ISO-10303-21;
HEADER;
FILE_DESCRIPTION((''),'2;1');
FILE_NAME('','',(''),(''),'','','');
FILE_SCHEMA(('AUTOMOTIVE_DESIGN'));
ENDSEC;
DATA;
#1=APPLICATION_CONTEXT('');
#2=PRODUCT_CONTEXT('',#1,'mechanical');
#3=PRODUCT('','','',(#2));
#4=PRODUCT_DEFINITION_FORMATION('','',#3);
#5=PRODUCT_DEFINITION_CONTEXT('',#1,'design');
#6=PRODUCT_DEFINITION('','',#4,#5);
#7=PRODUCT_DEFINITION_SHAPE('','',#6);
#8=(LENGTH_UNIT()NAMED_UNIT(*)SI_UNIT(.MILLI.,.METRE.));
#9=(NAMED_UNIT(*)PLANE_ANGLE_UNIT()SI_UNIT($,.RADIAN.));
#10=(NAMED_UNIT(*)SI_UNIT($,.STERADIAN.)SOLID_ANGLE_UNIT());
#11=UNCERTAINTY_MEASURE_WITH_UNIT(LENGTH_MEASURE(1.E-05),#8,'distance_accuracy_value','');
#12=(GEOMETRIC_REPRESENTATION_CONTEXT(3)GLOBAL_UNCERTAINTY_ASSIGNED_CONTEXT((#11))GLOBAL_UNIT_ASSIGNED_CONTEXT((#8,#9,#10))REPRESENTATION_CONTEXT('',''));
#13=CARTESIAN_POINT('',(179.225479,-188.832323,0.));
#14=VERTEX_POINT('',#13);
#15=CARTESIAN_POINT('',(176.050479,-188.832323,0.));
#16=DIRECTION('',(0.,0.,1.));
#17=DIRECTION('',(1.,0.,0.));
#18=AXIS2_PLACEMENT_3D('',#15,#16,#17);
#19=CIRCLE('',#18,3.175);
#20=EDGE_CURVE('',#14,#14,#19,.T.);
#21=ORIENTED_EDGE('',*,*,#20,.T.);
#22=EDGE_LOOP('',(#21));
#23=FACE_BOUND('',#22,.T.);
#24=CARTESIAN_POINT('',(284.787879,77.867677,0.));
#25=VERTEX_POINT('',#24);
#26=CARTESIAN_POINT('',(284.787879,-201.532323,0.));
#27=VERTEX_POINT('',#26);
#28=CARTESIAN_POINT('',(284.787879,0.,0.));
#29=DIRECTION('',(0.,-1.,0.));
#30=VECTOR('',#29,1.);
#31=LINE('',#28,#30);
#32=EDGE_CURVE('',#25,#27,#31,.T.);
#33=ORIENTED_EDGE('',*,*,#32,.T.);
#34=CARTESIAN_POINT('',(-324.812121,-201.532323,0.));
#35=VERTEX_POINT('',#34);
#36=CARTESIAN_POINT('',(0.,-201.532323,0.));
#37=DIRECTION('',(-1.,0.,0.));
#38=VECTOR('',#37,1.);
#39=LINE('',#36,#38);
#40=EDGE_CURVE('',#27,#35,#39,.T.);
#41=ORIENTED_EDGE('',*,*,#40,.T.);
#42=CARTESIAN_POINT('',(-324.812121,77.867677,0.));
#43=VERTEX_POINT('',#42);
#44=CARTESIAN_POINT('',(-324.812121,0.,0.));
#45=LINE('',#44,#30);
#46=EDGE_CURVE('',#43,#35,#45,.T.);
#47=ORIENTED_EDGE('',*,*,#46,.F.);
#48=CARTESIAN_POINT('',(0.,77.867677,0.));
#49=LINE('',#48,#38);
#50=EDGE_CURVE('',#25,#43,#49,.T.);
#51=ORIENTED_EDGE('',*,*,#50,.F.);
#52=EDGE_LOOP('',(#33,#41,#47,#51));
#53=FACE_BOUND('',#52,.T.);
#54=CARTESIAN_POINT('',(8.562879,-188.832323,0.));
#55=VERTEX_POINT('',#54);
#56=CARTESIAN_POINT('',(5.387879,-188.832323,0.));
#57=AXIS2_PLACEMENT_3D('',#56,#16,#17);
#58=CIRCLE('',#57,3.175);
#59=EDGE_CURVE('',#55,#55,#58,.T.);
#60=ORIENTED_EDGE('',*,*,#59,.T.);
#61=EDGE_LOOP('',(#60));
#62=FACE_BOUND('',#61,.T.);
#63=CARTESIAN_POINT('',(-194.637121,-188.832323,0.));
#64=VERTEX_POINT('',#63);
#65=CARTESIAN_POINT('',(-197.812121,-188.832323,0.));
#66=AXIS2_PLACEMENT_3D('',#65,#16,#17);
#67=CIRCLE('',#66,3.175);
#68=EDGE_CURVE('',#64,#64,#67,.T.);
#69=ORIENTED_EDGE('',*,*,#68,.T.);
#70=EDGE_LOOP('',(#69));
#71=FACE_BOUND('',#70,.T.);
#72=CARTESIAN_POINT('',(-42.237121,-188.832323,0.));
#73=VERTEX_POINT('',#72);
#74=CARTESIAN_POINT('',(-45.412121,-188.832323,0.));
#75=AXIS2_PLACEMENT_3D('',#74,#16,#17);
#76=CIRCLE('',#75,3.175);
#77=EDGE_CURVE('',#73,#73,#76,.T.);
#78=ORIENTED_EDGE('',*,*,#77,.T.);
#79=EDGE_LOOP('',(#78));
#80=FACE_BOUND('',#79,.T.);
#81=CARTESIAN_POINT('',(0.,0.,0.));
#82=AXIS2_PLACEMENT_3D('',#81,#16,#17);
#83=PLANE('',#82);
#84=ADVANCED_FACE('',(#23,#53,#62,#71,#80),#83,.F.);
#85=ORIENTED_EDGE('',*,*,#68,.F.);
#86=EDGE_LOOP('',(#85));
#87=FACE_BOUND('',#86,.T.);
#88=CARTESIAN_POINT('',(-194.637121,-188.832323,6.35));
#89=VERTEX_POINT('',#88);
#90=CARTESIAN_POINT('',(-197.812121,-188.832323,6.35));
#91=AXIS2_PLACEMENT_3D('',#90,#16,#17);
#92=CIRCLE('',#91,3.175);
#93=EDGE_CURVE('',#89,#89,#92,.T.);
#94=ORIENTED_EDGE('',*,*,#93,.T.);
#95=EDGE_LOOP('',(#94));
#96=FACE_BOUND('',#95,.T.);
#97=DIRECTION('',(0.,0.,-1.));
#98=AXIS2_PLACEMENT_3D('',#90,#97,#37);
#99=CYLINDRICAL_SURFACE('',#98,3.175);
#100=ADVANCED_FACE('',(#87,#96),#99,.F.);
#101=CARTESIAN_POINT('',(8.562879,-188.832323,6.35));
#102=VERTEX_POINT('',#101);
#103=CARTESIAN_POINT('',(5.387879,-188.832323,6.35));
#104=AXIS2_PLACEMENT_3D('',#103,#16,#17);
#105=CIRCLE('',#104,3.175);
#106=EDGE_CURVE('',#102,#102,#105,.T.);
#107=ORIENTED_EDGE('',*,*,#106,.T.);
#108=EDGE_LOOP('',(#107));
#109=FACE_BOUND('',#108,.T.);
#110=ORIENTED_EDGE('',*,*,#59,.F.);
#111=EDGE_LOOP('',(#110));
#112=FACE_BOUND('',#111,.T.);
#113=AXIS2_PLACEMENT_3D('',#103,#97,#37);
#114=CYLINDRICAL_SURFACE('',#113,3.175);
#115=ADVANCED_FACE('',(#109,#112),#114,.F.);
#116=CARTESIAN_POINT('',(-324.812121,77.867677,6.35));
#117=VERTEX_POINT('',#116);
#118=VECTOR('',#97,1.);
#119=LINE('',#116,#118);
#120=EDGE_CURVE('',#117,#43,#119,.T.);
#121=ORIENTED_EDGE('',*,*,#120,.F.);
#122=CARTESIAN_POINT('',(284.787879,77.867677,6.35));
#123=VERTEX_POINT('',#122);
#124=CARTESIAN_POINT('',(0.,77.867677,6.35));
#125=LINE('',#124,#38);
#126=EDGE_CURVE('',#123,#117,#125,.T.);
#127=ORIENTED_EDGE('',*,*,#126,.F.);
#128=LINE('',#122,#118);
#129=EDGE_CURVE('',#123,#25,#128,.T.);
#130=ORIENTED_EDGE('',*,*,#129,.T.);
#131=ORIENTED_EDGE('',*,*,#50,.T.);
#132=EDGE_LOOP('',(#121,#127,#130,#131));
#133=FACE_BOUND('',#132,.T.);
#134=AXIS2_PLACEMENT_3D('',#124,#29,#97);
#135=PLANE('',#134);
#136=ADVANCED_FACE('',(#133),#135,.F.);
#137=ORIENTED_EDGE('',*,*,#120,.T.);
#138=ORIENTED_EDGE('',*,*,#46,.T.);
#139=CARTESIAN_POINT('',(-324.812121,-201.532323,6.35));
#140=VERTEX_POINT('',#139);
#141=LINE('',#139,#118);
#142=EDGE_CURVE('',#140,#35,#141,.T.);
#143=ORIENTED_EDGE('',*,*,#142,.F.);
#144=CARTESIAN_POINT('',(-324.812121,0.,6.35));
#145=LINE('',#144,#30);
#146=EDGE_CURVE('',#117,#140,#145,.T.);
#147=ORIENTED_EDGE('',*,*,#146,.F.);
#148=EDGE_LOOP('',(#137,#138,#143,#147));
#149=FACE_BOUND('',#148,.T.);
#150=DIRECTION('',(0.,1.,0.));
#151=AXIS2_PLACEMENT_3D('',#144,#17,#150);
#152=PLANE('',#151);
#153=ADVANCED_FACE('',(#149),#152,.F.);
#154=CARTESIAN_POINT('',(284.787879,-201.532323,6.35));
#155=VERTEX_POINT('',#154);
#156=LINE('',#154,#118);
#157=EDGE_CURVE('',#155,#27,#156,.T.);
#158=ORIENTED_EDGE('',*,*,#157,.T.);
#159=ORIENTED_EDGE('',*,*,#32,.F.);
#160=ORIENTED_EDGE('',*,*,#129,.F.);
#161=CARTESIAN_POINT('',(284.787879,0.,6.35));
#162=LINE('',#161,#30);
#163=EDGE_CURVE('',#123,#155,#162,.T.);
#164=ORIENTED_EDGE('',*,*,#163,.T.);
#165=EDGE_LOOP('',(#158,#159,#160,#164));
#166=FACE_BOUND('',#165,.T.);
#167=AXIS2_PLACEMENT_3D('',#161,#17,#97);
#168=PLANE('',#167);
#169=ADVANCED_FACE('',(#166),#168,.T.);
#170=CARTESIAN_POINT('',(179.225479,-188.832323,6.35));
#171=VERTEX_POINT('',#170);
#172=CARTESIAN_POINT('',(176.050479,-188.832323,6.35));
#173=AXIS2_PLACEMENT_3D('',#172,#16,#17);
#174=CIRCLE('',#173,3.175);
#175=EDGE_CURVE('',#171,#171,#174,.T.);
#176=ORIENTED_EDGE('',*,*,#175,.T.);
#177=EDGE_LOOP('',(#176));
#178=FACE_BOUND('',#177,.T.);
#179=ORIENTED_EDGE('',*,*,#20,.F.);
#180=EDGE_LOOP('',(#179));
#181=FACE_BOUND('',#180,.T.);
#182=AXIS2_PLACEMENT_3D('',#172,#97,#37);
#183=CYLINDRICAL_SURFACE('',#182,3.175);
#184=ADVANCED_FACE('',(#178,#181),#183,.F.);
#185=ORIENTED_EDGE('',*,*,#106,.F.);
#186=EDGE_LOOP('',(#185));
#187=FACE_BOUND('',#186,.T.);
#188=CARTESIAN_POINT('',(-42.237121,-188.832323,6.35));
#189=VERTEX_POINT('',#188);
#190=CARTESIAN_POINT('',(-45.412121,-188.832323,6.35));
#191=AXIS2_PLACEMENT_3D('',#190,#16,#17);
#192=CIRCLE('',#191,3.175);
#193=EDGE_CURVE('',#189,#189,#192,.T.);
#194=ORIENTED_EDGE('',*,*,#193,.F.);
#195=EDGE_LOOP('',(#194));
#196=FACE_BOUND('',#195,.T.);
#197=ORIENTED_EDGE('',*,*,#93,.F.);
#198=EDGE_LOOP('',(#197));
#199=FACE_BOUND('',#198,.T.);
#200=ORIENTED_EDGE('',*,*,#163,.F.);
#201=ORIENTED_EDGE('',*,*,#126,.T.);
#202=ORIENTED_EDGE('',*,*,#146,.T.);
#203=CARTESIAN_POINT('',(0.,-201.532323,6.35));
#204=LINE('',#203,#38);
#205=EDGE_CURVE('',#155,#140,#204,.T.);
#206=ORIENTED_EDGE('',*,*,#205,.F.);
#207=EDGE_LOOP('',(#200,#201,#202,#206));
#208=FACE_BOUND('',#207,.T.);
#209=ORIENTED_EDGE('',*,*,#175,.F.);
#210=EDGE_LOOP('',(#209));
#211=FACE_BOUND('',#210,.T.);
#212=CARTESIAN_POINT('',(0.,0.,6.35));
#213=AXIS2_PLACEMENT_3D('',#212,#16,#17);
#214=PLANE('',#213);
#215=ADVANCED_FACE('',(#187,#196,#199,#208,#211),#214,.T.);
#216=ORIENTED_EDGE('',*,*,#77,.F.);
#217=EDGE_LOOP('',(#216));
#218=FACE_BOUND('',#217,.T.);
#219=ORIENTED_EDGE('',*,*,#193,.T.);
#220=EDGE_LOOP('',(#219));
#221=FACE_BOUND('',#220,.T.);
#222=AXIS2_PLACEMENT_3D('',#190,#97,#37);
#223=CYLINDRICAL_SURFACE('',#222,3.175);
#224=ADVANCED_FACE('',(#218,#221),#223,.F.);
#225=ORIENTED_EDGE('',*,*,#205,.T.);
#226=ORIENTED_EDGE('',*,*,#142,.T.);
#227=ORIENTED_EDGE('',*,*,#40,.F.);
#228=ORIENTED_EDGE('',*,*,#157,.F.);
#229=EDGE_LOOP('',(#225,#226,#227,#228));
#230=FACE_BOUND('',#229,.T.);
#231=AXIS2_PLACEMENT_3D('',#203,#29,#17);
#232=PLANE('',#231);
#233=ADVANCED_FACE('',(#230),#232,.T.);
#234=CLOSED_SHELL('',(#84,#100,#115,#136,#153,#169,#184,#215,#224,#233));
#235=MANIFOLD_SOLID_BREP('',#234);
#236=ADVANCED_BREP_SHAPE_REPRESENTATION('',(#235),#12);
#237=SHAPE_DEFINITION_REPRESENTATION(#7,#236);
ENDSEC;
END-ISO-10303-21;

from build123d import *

# Parameters (mm, degrees)
SKETCH1_W           = 152.4
SKETCH1_H           = 279.4
SKETCH1_R           = 3.175
BOSS_EXTRUDE1_DEPTH = 6.35


with BuildPart() as part:
    # Sketch1 → Boss-Extrude1 (new body)
    # profile 1 of 4: a face of its own
    with BuildSketch(Plane.XY):
        with Locations((-248.612121212, -61.832323232)):
            Rectangle(SKETCH1_W, SKETCH1_H)
        with Locations((-197.812121212, -188.832323232)):
            Circle(SKETCH1_R, mode=Mode.SUBTRACT)
    # profile 2 of 4: a face of its own
    with BuildSketch(Plane.XY):
        with Locations((-96.212121212, -61.832323232)):
            Rectangle(SKETCH1_W, SKETCH1_H)
        with Locations((-45.412121212, -188.832323232)):
            Circle(SKETCH1_R, mode=Mode.SUBTRACT)
    # profile 3 of 4: a face of its own
    with BuildSketch(Plane.XY):
        with Locations((56.187878788, -61.832323232)):
            Rectangle(SKETCH1_W, SKETCH1_H)
        with Locations((5.387878788, -188.832323232)):
            Circle(SKETCH1_R, mode=Mode.SUBTRACT)
    # profile 4 of 4: a face of its own
    with BuildSketch(Plane.XY):
        with Locations((208.587878788, -61.832323232)):
            Rectangle(SKETCH1_W, SKETCH1_H)
        with Locations((176.050478788, -188.832323232)):
            Circle(SKETCH1_R, mode=Mode.SUBTRACT)
    extrude(amount=BOSS_EXTRUDE1_DEPTH)


solid = part.part
